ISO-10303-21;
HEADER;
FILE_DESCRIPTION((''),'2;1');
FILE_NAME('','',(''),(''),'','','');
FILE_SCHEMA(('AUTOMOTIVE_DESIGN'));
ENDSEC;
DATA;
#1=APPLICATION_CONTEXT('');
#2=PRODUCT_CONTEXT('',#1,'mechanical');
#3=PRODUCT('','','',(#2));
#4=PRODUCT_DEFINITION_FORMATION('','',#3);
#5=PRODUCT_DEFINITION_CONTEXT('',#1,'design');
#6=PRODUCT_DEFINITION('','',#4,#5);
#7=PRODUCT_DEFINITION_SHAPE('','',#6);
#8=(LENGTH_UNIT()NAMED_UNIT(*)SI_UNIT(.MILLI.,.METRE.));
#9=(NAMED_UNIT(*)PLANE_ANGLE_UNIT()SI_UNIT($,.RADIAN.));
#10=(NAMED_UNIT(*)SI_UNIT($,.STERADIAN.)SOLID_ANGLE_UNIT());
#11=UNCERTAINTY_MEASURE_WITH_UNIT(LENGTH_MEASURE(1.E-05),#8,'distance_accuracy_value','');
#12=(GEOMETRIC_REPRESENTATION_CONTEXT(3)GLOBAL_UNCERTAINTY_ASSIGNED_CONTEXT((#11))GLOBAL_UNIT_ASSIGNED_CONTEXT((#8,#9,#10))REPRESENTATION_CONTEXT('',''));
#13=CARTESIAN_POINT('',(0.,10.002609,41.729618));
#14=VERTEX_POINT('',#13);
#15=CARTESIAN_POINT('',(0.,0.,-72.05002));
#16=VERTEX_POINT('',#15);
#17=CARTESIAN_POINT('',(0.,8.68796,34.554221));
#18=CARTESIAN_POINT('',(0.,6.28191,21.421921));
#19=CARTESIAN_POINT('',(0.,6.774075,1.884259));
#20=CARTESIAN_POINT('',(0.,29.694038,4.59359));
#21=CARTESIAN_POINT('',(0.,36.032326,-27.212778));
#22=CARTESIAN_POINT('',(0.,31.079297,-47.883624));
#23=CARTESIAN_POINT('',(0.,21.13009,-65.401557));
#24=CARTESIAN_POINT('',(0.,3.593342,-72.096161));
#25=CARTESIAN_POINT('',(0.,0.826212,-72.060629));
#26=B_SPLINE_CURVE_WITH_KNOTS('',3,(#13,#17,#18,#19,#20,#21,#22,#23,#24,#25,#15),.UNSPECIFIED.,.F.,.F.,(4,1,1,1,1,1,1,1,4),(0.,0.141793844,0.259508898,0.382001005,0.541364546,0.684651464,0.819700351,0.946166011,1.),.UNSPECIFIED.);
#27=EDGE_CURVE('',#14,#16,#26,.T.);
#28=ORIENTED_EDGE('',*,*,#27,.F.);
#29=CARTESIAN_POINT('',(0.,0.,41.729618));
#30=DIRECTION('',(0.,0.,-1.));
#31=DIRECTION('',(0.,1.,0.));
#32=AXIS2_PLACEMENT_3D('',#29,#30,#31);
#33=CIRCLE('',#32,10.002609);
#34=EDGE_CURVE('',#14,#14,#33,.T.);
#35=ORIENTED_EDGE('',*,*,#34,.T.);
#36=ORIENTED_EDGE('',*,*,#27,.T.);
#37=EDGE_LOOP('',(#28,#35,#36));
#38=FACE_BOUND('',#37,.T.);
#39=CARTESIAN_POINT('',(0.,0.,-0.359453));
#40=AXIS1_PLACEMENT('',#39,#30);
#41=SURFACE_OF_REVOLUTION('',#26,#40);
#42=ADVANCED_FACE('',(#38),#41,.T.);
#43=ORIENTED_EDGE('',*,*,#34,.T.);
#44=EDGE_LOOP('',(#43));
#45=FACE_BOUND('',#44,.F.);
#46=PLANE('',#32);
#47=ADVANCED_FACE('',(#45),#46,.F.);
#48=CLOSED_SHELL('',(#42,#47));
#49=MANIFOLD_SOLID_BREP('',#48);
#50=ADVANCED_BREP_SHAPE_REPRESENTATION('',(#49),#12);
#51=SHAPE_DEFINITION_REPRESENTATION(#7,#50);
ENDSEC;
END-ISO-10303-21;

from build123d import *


with BuildPart() as f1:
    # F0 (on Right) → F1 (revolve)
    with BuildSketch(Plane.YZ):
        with BuildLine():
            Line((10.0026093423, 41.7296178639), (0, 41.7296178639))
            Line((0, 41.7296178639), (0, -72.0500200987))
            add(Edge.make_bspline(
                [(10.0026093423, 41.7296178639), (8.6879601861, 34.5542210001), (6.2819096467, 21.4219207106), (6.7740754325, 1.884259494), (29.6940378605, 4.5935903794), (36.0323264066, -27.2127775018), (31.0792971039, -47.883624484), (21.1300896031, -65.4015569476), (3.5933416672, -72.0961612845), (0.8262115477, -72.0606292709), (0, -72.0500200987)],
                knots=[0, 0, 0, 0, 0.1417938437, 0.2595088983, 0.3820010048, 0.5413645462, 0.6846514641, 0.8197003506, 0.946166011, 1, 1, 1, 1], degree=3))
        make_face()
    revolve(axis=Axis((0, 0, -0.3594532609), (0, 0, -1)))


solid = f1.part
